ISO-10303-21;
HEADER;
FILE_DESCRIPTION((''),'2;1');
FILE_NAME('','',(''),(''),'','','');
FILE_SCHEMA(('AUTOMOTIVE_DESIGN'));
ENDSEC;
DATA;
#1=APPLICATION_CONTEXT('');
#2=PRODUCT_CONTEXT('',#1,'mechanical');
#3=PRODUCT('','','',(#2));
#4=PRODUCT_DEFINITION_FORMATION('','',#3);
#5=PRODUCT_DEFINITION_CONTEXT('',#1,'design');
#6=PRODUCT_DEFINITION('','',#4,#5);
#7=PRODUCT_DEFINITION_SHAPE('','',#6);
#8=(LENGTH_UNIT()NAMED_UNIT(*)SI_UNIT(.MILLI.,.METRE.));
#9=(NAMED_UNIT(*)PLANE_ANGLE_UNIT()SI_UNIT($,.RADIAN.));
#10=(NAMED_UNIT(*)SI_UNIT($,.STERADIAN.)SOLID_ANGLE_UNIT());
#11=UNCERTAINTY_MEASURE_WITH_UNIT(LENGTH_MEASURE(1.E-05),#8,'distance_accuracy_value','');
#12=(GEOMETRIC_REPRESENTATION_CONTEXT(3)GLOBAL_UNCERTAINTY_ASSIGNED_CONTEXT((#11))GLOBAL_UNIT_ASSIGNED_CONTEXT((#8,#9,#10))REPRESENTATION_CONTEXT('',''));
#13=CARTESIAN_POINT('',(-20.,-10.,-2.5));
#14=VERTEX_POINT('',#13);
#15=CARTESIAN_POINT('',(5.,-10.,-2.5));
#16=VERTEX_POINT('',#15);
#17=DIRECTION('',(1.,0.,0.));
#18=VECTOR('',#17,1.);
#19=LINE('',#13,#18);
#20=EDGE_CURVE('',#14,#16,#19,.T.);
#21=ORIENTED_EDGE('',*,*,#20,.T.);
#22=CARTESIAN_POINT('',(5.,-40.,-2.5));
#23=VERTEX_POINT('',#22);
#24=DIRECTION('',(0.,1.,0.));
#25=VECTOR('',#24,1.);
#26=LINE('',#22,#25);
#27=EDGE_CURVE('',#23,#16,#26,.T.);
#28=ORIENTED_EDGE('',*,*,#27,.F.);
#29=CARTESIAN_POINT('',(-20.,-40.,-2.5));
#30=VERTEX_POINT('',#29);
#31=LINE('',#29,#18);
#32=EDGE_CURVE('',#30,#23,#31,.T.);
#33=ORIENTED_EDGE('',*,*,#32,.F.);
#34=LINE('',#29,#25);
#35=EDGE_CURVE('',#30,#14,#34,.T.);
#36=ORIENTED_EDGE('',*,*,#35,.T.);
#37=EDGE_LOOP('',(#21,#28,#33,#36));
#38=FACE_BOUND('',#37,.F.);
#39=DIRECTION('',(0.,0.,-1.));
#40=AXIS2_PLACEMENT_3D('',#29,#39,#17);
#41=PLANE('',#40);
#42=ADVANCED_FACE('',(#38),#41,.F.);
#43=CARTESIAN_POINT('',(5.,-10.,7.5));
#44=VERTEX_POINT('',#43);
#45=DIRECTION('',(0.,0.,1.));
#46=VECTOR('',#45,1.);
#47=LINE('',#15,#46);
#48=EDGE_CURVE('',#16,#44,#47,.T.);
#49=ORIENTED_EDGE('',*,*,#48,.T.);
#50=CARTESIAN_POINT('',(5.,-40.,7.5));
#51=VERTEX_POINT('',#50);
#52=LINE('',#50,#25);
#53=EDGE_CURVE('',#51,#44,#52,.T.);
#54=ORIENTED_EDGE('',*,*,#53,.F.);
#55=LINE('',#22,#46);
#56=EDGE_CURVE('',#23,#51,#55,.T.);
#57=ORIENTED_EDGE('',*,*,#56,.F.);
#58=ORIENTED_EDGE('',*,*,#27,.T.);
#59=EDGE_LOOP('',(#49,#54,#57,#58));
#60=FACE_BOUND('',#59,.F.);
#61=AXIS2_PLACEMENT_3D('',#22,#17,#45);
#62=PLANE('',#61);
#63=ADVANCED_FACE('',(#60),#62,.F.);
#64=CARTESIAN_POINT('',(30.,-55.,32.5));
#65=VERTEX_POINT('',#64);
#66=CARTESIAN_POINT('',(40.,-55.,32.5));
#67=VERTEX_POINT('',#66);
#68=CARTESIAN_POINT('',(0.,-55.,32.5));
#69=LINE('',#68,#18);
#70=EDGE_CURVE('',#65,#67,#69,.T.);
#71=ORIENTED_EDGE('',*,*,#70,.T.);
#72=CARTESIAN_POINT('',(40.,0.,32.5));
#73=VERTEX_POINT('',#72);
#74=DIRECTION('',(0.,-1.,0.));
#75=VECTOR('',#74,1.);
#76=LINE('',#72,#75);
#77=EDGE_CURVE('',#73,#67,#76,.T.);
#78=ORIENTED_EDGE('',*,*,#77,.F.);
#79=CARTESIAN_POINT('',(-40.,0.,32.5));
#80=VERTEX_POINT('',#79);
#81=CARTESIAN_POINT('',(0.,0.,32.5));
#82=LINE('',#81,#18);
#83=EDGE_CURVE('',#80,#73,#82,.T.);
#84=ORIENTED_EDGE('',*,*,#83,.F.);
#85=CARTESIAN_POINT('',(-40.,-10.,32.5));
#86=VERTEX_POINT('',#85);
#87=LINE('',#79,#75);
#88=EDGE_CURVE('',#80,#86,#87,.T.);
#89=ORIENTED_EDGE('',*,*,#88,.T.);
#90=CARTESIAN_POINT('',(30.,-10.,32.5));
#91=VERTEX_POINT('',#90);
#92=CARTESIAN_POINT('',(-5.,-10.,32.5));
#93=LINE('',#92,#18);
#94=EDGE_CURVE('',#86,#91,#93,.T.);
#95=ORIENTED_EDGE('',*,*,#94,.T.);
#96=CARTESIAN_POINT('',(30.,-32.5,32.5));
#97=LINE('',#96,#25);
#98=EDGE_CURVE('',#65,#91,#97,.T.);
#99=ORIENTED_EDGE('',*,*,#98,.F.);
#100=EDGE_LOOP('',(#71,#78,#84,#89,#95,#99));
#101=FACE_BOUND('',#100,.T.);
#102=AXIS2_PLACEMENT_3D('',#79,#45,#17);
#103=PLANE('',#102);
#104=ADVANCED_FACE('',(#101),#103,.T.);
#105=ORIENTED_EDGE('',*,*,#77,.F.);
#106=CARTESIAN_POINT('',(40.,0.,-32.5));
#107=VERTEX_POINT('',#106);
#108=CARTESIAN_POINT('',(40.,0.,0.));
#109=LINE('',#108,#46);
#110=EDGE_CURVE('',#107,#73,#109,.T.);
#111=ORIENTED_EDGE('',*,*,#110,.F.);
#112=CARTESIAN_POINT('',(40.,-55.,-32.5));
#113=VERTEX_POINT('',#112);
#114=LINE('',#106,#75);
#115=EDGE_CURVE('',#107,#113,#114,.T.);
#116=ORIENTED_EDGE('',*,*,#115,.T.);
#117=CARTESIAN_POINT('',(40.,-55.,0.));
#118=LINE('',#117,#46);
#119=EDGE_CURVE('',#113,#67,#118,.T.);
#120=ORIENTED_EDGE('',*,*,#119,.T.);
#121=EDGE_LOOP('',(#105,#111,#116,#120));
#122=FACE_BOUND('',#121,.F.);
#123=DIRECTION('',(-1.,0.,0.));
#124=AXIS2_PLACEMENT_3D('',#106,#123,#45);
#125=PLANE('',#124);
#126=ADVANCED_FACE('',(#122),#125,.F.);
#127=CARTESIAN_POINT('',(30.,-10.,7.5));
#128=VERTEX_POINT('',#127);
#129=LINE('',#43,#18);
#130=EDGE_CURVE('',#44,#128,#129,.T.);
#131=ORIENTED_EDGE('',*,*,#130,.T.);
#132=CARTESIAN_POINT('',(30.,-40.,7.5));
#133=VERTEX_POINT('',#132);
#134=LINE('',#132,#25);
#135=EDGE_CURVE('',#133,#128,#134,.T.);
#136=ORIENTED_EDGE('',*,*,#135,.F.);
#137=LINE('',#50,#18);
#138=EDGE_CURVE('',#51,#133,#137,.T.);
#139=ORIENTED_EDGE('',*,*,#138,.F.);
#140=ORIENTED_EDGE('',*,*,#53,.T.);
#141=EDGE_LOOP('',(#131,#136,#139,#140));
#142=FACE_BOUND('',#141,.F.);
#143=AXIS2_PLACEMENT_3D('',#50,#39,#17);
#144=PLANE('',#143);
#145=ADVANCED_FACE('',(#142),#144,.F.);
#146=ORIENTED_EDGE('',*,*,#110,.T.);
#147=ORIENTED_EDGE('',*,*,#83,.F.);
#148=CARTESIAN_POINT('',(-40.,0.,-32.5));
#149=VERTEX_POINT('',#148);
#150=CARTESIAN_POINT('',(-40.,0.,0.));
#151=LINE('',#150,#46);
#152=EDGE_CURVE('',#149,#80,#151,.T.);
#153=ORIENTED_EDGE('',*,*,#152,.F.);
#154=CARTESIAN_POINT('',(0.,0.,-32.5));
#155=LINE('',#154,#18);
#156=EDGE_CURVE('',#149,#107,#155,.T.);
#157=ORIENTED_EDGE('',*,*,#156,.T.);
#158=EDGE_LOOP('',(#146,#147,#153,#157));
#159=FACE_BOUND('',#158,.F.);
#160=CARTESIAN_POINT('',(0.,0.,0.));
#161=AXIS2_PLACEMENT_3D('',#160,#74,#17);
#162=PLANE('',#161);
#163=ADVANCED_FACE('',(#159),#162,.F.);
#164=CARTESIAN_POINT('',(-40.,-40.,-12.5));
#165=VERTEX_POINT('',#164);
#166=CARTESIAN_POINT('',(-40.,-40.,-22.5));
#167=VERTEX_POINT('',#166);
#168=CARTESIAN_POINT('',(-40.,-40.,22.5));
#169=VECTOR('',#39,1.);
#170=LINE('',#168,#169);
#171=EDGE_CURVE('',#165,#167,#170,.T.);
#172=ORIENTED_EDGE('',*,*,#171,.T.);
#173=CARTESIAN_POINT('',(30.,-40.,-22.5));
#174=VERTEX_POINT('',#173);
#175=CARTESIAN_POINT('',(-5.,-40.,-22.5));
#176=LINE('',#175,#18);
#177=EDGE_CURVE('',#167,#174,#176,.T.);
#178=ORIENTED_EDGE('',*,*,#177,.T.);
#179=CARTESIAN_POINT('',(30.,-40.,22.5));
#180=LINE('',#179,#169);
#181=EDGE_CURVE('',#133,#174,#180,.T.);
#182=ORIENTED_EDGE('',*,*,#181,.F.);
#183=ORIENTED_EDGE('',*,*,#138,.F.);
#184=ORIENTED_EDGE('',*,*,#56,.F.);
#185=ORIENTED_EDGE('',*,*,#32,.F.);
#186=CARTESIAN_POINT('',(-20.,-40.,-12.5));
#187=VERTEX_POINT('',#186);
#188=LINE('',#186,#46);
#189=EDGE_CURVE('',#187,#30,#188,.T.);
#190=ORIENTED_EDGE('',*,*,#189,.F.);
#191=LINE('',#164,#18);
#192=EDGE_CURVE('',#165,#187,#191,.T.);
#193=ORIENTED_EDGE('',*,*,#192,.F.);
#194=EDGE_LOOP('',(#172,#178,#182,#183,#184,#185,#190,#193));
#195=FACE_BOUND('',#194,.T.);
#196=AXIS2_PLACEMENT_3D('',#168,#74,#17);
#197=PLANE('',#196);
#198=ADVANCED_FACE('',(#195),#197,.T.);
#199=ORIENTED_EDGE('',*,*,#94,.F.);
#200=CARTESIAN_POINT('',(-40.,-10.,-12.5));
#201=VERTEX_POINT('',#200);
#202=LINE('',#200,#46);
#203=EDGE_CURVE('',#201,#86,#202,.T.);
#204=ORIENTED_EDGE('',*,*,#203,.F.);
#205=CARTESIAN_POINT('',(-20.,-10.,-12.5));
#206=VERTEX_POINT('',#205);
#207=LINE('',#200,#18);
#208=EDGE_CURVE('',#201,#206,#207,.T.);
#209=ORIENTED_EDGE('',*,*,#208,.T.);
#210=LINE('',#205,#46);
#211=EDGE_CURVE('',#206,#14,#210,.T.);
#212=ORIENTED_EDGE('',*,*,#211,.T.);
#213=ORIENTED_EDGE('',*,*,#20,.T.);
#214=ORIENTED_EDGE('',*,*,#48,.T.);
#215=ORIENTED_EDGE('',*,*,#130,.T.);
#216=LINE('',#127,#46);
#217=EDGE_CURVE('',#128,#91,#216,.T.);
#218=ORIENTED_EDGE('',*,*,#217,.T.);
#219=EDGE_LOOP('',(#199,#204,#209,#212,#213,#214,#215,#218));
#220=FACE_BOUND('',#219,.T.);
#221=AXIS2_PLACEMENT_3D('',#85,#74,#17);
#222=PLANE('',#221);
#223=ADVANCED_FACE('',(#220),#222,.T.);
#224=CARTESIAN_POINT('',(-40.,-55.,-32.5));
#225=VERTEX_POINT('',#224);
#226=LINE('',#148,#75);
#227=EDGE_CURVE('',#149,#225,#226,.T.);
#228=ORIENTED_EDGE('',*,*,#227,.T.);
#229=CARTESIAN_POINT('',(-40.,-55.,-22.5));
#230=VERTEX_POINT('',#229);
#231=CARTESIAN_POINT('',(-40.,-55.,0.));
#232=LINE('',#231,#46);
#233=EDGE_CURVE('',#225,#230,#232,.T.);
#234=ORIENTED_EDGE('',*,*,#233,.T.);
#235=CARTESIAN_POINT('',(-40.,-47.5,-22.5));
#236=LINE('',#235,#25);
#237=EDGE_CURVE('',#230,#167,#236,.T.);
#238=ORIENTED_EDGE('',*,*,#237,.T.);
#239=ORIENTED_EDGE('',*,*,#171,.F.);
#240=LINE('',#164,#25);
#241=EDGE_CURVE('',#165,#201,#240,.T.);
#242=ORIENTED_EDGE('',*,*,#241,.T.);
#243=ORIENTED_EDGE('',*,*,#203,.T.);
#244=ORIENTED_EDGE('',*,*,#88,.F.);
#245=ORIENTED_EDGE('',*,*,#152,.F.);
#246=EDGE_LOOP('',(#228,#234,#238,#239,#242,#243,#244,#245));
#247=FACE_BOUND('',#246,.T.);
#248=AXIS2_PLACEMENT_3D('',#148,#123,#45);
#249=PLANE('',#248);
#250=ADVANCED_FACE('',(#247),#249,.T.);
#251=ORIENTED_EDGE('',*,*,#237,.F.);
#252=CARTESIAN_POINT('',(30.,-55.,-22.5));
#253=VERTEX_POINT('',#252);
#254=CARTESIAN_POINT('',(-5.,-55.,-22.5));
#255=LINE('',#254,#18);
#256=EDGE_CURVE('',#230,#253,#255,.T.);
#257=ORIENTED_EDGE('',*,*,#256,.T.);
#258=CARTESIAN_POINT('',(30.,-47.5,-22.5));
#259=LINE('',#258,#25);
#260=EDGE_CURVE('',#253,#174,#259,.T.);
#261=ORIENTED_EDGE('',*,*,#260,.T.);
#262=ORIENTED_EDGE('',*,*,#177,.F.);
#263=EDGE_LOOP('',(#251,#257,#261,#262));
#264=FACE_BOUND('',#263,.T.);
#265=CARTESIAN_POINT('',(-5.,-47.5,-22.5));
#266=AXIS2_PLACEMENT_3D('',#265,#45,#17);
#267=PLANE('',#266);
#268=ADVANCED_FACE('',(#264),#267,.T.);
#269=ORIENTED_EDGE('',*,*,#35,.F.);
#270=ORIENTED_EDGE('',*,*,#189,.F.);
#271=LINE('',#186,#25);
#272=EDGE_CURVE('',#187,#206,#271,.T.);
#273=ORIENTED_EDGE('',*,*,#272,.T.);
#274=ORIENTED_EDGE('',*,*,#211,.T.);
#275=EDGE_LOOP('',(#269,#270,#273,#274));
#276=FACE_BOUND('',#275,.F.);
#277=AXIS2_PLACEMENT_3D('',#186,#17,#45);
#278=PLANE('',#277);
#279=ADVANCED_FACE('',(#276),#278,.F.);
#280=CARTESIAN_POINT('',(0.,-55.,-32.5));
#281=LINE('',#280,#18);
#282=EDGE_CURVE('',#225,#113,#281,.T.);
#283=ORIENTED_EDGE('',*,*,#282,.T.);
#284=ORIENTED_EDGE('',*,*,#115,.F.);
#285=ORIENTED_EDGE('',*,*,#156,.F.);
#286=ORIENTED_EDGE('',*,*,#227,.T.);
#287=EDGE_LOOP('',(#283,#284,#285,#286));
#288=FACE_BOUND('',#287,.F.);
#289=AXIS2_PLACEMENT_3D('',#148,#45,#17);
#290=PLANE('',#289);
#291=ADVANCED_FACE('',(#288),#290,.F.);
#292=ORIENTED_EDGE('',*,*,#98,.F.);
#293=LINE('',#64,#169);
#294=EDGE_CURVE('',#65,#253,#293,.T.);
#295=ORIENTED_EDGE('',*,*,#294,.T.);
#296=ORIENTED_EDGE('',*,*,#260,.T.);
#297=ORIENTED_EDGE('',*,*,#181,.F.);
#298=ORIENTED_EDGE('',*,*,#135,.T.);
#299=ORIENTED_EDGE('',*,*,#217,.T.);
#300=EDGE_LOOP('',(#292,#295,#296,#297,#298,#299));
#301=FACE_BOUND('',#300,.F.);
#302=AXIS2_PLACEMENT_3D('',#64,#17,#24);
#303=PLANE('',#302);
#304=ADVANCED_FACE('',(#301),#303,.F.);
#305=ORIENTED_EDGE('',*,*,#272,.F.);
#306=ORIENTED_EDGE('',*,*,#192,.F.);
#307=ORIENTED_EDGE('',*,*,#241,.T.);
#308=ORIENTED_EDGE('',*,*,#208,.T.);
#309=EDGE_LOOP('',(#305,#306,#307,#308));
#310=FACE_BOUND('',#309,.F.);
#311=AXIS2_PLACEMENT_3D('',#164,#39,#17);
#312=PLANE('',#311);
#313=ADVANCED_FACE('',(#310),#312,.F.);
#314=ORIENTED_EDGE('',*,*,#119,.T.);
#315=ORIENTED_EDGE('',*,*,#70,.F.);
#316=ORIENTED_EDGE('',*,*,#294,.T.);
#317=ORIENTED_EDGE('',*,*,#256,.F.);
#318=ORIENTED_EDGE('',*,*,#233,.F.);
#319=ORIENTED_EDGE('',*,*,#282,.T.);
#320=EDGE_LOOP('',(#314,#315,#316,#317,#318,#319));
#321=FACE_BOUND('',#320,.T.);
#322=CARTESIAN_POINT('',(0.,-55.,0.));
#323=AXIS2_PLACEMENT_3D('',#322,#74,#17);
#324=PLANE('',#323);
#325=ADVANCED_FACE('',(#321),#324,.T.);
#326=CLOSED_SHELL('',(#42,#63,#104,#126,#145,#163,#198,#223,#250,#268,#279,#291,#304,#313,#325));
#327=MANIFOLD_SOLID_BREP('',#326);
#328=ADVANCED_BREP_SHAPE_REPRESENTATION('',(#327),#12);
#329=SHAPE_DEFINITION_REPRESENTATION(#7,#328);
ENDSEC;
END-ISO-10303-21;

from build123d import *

# Parameters (mm, degrees)
F0_W     = 80
F0_H     = 65
F1_DEPTH = 55
F2_W     = 70
F2_H     = 45
F3_DEPTH = 10
F4_W     = 70
F4_H     = 15
F5_DEPTH = 45
F7_DEPTH = 30


with BuildPart() as f1:
    # F0 (on Front) → F1 (new body)
    with BuildSketch(Plane.XZ):
        Rectangle(F0_W, F0_H)
    extrude(amount=F1_DEPTH)

    # F2 (on face) → F3 (cut)
    with BuildSketch(Plane.XY.offset(32.5)):
        with Locations((-5, -32.5)):
            Rectangle(F2_W, F2_H)
    extrude(amount=-F3_DEPTH, mode=Mode.SUBTRACT)

    # F4 (on face) → F5 (cut)
    with BuildSketch(Plane.XY.offset(22.5)):
        with Locations((-5, -47.5)):
            Rectangle(F4_W, F4_H)
    extrude(amount=-F5_DEPTH, mode=Mode.SUBTRACT)

    # F6 (on face) → F7 (cut)
    with BuildSketch(Plane.XZ.offset(40)):
        Polygon((-40, 22.5), (-40, -12.5), (-20, -12.5), (-20, -2.5), (5, -2.5), (5, 7.5), (30, 7.5), (30, 22.5), align=None)
    extrude(amount=-F7_DEPTH, mode=Mode.SUBTRACT)


solid = f1.part
